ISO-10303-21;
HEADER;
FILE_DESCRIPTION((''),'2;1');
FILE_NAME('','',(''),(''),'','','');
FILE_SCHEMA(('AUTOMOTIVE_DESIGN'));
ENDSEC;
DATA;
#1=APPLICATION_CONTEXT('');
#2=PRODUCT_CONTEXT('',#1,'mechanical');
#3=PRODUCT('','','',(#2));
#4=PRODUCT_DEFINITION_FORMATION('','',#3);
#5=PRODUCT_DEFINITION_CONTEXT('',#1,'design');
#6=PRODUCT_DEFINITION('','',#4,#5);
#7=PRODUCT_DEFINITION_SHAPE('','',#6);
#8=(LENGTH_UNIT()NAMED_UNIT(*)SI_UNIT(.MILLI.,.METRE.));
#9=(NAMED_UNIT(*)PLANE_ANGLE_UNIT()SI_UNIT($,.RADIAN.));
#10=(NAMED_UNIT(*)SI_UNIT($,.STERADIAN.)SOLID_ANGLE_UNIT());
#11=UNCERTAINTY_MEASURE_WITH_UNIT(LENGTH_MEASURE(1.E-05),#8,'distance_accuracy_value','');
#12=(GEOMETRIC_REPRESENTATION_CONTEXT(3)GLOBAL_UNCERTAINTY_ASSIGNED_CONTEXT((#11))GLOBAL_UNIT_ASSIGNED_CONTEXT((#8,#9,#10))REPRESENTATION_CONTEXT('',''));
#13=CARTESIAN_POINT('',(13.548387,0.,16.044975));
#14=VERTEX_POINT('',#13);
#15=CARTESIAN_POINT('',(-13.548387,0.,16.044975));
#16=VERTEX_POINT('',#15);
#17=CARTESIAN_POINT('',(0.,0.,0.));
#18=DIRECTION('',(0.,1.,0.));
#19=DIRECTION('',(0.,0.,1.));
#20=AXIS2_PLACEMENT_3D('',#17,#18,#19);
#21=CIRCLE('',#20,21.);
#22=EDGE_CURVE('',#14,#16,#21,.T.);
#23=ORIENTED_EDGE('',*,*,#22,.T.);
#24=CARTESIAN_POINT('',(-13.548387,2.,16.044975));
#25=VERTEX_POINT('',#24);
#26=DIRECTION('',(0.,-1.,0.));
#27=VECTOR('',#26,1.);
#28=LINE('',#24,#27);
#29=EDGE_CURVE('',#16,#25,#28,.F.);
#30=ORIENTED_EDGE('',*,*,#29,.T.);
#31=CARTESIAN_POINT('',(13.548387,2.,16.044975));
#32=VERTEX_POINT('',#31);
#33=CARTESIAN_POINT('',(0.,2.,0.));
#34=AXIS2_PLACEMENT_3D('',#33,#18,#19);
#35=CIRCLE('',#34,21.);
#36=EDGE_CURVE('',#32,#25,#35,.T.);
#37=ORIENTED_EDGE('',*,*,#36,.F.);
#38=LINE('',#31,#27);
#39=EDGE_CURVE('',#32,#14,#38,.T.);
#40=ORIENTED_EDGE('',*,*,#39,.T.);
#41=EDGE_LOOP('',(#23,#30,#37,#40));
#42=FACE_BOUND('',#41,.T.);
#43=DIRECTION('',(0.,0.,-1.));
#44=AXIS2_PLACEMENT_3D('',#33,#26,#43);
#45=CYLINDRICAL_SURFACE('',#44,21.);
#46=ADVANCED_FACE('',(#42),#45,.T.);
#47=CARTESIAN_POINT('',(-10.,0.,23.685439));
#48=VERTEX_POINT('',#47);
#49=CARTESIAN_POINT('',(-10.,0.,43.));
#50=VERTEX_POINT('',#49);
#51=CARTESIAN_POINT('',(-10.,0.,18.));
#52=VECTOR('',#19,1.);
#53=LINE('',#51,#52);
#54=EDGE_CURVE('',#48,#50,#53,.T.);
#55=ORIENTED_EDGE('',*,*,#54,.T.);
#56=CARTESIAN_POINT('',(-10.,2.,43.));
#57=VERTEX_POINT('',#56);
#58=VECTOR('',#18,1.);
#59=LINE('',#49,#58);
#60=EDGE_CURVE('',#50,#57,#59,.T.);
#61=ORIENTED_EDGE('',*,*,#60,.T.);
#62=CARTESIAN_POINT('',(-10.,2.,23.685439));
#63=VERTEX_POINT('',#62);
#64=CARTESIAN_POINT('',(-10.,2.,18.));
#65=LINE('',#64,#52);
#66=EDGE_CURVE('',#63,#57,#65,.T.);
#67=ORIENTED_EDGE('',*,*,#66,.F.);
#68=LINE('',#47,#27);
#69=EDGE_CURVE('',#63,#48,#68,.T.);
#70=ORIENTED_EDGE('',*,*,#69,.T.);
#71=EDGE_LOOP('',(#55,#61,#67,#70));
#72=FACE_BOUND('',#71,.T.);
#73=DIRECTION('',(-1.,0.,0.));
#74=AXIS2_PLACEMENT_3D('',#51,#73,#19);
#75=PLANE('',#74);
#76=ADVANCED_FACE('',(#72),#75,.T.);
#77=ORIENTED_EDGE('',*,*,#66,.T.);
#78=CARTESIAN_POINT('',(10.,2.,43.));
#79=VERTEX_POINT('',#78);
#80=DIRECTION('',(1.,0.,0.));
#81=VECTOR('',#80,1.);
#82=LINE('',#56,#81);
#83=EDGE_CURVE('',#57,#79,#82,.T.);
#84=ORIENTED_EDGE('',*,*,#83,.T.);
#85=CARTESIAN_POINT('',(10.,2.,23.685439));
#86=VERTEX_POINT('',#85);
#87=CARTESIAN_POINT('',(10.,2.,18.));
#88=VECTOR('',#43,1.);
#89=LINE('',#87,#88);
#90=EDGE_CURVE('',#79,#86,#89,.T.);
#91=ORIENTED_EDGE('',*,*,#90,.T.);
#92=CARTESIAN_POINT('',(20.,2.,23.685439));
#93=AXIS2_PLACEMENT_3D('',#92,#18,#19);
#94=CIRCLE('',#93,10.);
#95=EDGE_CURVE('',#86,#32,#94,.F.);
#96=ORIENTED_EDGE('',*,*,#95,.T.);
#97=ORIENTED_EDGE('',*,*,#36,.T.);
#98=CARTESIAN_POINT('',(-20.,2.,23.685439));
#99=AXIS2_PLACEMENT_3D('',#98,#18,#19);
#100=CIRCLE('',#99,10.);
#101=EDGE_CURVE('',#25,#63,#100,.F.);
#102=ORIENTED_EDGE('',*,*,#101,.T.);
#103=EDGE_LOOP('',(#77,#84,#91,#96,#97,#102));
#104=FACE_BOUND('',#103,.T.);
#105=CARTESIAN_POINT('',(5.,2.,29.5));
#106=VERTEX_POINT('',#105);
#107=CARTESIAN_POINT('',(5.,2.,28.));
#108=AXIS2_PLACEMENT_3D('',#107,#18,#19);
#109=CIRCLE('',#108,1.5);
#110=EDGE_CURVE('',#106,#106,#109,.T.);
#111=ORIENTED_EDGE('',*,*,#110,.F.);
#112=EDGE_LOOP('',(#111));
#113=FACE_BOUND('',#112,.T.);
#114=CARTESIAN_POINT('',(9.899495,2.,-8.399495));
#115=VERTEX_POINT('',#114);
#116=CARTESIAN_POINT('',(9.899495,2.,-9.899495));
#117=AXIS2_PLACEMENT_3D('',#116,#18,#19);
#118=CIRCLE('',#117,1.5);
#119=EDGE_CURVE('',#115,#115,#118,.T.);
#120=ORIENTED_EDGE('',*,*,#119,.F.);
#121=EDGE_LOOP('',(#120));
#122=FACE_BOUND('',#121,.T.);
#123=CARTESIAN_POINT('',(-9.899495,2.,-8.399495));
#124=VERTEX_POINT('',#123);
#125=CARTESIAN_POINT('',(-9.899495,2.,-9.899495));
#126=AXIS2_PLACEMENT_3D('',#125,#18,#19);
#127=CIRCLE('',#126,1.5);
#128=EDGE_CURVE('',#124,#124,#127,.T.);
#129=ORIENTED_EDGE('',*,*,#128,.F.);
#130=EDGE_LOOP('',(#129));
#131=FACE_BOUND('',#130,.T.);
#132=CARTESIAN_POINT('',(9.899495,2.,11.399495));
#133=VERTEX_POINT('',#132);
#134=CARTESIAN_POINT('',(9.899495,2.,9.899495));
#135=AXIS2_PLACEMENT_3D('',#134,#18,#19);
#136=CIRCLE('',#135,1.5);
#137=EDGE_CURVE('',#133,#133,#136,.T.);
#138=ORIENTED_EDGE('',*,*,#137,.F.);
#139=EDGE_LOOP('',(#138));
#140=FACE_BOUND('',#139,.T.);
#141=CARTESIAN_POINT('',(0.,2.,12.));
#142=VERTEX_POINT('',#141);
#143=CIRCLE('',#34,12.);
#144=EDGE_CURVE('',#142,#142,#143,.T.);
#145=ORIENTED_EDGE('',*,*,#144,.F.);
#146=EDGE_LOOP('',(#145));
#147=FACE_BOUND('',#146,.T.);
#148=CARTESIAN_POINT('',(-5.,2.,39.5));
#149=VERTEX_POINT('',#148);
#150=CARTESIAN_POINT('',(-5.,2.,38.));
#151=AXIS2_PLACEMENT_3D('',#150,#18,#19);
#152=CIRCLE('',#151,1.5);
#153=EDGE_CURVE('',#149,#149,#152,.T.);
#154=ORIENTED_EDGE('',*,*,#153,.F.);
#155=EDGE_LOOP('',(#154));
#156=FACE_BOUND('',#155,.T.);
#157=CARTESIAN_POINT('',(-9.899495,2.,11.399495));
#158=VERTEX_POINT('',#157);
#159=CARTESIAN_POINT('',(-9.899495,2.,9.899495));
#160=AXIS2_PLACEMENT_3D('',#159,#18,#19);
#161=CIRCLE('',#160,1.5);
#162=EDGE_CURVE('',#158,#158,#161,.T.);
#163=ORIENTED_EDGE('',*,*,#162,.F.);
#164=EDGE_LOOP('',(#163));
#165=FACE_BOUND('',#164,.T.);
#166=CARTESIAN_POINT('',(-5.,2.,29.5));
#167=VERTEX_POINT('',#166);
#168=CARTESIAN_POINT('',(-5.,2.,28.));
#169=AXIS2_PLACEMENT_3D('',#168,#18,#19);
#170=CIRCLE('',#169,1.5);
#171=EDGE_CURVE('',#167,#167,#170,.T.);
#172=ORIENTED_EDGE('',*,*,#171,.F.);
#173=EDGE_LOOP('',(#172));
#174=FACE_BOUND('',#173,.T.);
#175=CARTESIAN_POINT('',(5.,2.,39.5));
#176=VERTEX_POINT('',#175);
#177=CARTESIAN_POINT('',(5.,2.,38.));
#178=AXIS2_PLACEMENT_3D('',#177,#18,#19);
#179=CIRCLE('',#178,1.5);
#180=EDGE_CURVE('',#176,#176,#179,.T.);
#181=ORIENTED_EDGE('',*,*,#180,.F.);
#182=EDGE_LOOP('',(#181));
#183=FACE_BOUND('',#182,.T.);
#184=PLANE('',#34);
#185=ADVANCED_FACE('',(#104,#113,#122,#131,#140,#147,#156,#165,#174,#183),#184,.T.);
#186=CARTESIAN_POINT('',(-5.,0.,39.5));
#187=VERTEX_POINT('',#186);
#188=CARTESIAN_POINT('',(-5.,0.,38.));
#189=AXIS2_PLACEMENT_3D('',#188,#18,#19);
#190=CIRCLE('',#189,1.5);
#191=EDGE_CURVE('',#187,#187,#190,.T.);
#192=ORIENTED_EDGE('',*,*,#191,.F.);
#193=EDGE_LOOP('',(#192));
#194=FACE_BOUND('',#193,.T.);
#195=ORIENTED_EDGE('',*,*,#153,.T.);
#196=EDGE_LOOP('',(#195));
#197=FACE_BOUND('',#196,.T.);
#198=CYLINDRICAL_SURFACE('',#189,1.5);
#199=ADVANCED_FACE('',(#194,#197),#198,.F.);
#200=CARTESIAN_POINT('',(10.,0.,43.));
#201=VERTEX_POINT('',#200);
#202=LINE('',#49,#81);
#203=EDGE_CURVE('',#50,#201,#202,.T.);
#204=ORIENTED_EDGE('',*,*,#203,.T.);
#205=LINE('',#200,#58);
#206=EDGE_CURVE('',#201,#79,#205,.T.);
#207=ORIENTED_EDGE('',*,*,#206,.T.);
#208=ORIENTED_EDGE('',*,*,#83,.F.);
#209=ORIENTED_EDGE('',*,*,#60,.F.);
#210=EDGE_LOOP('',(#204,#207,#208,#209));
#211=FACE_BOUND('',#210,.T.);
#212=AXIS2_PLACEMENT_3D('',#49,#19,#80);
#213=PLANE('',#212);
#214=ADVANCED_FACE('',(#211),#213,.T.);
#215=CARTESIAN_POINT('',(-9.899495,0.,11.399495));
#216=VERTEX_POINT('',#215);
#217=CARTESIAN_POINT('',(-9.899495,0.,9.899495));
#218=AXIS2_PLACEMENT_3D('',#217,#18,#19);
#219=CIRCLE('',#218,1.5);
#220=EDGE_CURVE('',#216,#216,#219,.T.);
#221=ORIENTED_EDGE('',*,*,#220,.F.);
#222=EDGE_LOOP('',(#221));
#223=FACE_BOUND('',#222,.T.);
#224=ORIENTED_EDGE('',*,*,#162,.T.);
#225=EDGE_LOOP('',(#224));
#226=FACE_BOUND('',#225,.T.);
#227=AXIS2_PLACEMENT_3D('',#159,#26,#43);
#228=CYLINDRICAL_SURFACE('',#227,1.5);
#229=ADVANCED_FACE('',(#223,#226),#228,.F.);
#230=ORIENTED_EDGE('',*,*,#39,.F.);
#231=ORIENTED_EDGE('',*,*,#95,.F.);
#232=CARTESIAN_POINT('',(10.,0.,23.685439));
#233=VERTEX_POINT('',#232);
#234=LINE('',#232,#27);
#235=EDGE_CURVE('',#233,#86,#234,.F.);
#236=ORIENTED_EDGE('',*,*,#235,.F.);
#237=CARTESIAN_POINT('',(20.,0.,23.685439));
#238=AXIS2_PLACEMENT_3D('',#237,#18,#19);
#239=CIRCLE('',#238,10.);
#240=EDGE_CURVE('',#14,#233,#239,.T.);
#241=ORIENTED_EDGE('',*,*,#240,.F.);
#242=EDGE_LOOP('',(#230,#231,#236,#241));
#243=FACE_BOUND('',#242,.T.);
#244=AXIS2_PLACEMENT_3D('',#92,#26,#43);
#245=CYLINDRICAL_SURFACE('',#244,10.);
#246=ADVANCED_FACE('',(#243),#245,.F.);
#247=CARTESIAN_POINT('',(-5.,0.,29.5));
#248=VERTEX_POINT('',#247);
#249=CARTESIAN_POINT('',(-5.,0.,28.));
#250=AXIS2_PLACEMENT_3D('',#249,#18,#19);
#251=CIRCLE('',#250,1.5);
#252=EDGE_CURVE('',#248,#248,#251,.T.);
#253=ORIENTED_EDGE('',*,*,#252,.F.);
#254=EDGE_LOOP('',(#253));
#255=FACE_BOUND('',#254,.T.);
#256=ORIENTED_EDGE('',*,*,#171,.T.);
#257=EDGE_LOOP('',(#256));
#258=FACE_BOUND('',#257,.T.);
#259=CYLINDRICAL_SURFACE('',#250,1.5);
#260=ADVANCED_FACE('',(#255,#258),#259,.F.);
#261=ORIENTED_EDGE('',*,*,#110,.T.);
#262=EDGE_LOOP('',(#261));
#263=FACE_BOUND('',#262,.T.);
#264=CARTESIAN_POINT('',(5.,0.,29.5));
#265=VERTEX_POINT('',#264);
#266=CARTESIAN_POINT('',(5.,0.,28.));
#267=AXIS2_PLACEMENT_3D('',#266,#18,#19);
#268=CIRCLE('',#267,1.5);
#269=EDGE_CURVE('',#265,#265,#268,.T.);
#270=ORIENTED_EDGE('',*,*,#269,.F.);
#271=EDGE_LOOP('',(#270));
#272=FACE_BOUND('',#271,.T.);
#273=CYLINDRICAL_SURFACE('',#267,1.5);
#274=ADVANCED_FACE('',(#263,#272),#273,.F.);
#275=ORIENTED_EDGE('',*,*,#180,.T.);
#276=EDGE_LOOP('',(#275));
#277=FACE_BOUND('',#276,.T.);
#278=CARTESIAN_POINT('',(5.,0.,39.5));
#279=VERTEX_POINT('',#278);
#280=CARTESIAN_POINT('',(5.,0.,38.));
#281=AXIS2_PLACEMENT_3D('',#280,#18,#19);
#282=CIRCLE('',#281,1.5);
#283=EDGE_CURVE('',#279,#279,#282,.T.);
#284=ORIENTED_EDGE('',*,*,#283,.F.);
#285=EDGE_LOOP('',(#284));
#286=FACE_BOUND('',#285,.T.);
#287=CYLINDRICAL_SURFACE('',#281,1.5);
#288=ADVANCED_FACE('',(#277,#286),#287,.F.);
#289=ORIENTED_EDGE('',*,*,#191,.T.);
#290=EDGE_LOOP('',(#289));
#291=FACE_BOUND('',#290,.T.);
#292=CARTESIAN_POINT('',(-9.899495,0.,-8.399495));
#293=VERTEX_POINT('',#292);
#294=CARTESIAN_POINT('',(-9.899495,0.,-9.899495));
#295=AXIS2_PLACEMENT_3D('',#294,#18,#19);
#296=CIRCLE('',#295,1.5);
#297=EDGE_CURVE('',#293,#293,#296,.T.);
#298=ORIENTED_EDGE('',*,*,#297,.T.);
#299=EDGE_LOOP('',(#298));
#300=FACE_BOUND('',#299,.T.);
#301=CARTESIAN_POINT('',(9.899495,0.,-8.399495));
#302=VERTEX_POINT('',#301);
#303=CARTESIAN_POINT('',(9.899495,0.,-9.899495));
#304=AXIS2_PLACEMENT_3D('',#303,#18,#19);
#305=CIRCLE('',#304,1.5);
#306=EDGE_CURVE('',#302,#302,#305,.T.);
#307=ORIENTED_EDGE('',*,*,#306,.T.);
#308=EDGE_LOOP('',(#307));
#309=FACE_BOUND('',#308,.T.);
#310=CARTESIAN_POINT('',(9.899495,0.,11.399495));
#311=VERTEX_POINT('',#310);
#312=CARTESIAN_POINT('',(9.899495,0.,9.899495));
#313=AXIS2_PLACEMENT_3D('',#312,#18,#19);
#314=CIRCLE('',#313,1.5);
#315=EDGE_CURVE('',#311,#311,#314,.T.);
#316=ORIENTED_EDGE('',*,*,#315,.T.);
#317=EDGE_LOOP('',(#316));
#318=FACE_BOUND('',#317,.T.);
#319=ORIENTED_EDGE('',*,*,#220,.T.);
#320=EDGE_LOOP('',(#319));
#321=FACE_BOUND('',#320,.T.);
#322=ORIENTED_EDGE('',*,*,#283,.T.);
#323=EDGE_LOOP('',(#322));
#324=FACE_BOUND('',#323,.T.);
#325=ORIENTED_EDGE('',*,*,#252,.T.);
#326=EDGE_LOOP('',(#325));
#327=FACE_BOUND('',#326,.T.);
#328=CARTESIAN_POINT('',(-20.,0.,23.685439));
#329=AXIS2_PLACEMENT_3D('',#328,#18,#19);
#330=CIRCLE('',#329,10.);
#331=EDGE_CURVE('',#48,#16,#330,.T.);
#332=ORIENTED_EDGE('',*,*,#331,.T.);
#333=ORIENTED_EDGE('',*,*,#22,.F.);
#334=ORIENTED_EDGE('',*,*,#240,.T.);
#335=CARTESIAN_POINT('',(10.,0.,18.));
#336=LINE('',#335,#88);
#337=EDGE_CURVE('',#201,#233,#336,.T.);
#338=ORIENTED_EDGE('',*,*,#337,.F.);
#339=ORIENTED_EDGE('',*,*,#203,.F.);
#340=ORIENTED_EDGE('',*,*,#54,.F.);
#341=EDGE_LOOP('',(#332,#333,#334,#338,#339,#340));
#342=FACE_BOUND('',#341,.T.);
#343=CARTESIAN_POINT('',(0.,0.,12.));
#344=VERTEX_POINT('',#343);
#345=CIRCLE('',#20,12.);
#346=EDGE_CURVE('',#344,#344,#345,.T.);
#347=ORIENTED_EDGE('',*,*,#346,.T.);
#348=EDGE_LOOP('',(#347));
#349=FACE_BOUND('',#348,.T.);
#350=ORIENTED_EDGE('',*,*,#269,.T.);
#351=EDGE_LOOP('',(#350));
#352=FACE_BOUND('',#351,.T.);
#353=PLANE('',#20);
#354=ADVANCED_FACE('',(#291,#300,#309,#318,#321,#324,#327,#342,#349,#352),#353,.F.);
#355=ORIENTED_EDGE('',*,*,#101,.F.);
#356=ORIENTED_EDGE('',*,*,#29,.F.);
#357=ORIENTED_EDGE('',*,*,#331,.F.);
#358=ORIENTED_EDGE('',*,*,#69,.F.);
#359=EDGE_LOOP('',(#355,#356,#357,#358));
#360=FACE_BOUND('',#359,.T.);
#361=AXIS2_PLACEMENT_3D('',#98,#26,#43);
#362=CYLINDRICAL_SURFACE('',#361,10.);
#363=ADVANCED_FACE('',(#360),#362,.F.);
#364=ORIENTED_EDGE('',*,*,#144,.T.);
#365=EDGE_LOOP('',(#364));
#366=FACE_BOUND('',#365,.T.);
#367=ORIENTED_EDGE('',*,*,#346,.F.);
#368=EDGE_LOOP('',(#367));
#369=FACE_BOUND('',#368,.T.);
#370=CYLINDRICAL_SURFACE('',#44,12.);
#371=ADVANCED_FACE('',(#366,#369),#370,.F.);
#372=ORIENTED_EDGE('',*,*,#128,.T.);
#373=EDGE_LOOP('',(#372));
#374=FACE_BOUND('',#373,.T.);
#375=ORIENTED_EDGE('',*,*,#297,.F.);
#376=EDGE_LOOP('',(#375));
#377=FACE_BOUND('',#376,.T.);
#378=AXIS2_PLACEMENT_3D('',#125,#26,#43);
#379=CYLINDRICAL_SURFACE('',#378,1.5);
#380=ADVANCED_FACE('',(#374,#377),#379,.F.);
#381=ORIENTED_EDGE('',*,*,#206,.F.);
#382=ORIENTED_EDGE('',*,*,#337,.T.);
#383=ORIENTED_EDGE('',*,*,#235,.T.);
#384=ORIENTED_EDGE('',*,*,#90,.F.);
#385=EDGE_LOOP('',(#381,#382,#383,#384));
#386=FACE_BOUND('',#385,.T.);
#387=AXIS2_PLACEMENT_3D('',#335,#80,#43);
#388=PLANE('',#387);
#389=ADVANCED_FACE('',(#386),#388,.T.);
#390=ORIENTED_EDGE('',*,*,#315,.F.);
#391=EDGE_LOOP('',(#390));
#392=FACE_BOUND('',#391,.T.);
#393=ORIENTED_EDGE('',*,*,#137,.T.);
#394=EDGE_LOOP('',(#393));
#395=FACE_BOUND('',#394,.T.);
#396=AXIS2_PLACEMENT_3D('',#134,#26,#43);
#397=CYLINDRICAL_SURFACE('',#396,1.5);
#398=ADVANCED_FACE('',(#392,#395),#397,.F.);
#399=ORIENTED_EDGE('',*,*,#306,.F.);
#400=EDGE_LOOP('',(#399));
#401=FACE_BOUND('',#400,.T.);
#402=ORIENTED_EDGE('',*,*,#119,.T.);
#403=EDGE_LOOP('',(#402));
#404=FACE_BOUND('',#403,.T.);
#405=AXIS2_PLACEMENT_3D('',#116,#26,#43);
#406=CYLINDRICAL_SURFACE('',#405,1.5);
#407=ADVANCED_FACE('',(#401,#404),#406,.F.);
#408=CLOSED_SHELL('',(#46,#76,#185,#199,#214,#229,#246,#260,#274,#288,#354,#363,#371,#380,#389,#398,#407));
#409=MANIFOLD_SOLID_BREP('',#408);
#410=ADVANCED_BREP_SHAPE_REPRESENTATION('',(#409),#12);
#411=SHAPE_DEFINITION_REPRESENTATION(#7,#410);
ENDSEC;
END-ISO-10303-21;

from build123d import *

# Parameters (mm, degrees)
SKETCH_2_R      = 21
SKETCH_2_R_2    = 12
SKETCH_2_R_3    = 1.5
EXTRUDE_1_DEPTH = 2
SKETCH_4_W      = 20
SKETCH_4_H      = 25
SKETCH_4_R      = 1.5
EXTRUDE_2_DEPTH = 2
FILLET_1_R      = 10


with BuildPart() as part:
    # 草图2 → 凸台-拉伸1 (new body)
    with BuildSketch(Plane(origin=(0, 0, 0), x_dir=(1, 0, 0), z_dir=(0, 1, 0))):
        with Locations(Location((0, 0, 0), (0, 0, 270))):
            Circle(SKETCH_2_R)
        with Locations(Location((0, 0, 0), (0, 0, 270))):
            Circle(SKETCH_2_R_2, mode=Mode.SUBTRACT)
        with Locations(Location((9.899494937, 9.899494937, 0), (0, 0, 270))):
            Circle(SKETCH_2_R_3, mode=Mode.SUBTRACT)
        with Locations(Location((9.899494937, -9.899494937, 0), (0, 0, 270))):
            Circle(SKETCH_2_R_3, mode=Mode.SUBTRACT)
        with Locations(Location((-9.899494937, -9.899494937, 0), (0, 0, 270))):
            Circle(SKETCH_2_R_3, mode=Mode.SUBTRACT)
        with Locations(Location((-9.899494937, 9.899494937, 0), (0, 0, 270))):
            Circle(SKETCH_2_R_3, mode=Mode.SUBTRACT)
    extrude(amount=EXTRUDE_1_DEPTH)

    # 草图4 → 凸台-拉伸2 (add)
    with BuildSketch(Plane(origin=(0, 2, 0), x_dir=(1, 0, 0), z_dir=(0, 1, 0))):
        with Locations((0, -30.5)):
            Rectangle(SKETCH_4_W, SKETCH_4_H)
        with Locations(Location((-5, -38, 0), (0, 0, 270))):
            Circle(SKETCH_4_R, mode=Mode.SUBTRACT)
        with Locations(Location((5, -38, 0), (0, 0, 270))):
            Circle(SKETCH_4_R, mode=Mode.SUBTRACT)
        with Locations(Location((-5, -28, 0), (0, 0, 270))):
            Circle(SKETCH_4_R, mode=Mode.SUBTRACT)
        with Locations(Location((5, -28, 0), (0, 0, 270))):
            Circle(SKETCH_4_R, mode=Mode.SUBTRACT)
    extrude(amount=-EXTRUDE_2_DEPTH)

    # 圆角1
    fillet_1_edges = [part.edges().sort_by_distance(p)[0] for p in [
        (-10, 1, 18.466185313),
        (10, 1, 18.466185313),
    ]]
    fillet(fillet_1_edges, radius=FILLET_1_R)


solid = part.part
